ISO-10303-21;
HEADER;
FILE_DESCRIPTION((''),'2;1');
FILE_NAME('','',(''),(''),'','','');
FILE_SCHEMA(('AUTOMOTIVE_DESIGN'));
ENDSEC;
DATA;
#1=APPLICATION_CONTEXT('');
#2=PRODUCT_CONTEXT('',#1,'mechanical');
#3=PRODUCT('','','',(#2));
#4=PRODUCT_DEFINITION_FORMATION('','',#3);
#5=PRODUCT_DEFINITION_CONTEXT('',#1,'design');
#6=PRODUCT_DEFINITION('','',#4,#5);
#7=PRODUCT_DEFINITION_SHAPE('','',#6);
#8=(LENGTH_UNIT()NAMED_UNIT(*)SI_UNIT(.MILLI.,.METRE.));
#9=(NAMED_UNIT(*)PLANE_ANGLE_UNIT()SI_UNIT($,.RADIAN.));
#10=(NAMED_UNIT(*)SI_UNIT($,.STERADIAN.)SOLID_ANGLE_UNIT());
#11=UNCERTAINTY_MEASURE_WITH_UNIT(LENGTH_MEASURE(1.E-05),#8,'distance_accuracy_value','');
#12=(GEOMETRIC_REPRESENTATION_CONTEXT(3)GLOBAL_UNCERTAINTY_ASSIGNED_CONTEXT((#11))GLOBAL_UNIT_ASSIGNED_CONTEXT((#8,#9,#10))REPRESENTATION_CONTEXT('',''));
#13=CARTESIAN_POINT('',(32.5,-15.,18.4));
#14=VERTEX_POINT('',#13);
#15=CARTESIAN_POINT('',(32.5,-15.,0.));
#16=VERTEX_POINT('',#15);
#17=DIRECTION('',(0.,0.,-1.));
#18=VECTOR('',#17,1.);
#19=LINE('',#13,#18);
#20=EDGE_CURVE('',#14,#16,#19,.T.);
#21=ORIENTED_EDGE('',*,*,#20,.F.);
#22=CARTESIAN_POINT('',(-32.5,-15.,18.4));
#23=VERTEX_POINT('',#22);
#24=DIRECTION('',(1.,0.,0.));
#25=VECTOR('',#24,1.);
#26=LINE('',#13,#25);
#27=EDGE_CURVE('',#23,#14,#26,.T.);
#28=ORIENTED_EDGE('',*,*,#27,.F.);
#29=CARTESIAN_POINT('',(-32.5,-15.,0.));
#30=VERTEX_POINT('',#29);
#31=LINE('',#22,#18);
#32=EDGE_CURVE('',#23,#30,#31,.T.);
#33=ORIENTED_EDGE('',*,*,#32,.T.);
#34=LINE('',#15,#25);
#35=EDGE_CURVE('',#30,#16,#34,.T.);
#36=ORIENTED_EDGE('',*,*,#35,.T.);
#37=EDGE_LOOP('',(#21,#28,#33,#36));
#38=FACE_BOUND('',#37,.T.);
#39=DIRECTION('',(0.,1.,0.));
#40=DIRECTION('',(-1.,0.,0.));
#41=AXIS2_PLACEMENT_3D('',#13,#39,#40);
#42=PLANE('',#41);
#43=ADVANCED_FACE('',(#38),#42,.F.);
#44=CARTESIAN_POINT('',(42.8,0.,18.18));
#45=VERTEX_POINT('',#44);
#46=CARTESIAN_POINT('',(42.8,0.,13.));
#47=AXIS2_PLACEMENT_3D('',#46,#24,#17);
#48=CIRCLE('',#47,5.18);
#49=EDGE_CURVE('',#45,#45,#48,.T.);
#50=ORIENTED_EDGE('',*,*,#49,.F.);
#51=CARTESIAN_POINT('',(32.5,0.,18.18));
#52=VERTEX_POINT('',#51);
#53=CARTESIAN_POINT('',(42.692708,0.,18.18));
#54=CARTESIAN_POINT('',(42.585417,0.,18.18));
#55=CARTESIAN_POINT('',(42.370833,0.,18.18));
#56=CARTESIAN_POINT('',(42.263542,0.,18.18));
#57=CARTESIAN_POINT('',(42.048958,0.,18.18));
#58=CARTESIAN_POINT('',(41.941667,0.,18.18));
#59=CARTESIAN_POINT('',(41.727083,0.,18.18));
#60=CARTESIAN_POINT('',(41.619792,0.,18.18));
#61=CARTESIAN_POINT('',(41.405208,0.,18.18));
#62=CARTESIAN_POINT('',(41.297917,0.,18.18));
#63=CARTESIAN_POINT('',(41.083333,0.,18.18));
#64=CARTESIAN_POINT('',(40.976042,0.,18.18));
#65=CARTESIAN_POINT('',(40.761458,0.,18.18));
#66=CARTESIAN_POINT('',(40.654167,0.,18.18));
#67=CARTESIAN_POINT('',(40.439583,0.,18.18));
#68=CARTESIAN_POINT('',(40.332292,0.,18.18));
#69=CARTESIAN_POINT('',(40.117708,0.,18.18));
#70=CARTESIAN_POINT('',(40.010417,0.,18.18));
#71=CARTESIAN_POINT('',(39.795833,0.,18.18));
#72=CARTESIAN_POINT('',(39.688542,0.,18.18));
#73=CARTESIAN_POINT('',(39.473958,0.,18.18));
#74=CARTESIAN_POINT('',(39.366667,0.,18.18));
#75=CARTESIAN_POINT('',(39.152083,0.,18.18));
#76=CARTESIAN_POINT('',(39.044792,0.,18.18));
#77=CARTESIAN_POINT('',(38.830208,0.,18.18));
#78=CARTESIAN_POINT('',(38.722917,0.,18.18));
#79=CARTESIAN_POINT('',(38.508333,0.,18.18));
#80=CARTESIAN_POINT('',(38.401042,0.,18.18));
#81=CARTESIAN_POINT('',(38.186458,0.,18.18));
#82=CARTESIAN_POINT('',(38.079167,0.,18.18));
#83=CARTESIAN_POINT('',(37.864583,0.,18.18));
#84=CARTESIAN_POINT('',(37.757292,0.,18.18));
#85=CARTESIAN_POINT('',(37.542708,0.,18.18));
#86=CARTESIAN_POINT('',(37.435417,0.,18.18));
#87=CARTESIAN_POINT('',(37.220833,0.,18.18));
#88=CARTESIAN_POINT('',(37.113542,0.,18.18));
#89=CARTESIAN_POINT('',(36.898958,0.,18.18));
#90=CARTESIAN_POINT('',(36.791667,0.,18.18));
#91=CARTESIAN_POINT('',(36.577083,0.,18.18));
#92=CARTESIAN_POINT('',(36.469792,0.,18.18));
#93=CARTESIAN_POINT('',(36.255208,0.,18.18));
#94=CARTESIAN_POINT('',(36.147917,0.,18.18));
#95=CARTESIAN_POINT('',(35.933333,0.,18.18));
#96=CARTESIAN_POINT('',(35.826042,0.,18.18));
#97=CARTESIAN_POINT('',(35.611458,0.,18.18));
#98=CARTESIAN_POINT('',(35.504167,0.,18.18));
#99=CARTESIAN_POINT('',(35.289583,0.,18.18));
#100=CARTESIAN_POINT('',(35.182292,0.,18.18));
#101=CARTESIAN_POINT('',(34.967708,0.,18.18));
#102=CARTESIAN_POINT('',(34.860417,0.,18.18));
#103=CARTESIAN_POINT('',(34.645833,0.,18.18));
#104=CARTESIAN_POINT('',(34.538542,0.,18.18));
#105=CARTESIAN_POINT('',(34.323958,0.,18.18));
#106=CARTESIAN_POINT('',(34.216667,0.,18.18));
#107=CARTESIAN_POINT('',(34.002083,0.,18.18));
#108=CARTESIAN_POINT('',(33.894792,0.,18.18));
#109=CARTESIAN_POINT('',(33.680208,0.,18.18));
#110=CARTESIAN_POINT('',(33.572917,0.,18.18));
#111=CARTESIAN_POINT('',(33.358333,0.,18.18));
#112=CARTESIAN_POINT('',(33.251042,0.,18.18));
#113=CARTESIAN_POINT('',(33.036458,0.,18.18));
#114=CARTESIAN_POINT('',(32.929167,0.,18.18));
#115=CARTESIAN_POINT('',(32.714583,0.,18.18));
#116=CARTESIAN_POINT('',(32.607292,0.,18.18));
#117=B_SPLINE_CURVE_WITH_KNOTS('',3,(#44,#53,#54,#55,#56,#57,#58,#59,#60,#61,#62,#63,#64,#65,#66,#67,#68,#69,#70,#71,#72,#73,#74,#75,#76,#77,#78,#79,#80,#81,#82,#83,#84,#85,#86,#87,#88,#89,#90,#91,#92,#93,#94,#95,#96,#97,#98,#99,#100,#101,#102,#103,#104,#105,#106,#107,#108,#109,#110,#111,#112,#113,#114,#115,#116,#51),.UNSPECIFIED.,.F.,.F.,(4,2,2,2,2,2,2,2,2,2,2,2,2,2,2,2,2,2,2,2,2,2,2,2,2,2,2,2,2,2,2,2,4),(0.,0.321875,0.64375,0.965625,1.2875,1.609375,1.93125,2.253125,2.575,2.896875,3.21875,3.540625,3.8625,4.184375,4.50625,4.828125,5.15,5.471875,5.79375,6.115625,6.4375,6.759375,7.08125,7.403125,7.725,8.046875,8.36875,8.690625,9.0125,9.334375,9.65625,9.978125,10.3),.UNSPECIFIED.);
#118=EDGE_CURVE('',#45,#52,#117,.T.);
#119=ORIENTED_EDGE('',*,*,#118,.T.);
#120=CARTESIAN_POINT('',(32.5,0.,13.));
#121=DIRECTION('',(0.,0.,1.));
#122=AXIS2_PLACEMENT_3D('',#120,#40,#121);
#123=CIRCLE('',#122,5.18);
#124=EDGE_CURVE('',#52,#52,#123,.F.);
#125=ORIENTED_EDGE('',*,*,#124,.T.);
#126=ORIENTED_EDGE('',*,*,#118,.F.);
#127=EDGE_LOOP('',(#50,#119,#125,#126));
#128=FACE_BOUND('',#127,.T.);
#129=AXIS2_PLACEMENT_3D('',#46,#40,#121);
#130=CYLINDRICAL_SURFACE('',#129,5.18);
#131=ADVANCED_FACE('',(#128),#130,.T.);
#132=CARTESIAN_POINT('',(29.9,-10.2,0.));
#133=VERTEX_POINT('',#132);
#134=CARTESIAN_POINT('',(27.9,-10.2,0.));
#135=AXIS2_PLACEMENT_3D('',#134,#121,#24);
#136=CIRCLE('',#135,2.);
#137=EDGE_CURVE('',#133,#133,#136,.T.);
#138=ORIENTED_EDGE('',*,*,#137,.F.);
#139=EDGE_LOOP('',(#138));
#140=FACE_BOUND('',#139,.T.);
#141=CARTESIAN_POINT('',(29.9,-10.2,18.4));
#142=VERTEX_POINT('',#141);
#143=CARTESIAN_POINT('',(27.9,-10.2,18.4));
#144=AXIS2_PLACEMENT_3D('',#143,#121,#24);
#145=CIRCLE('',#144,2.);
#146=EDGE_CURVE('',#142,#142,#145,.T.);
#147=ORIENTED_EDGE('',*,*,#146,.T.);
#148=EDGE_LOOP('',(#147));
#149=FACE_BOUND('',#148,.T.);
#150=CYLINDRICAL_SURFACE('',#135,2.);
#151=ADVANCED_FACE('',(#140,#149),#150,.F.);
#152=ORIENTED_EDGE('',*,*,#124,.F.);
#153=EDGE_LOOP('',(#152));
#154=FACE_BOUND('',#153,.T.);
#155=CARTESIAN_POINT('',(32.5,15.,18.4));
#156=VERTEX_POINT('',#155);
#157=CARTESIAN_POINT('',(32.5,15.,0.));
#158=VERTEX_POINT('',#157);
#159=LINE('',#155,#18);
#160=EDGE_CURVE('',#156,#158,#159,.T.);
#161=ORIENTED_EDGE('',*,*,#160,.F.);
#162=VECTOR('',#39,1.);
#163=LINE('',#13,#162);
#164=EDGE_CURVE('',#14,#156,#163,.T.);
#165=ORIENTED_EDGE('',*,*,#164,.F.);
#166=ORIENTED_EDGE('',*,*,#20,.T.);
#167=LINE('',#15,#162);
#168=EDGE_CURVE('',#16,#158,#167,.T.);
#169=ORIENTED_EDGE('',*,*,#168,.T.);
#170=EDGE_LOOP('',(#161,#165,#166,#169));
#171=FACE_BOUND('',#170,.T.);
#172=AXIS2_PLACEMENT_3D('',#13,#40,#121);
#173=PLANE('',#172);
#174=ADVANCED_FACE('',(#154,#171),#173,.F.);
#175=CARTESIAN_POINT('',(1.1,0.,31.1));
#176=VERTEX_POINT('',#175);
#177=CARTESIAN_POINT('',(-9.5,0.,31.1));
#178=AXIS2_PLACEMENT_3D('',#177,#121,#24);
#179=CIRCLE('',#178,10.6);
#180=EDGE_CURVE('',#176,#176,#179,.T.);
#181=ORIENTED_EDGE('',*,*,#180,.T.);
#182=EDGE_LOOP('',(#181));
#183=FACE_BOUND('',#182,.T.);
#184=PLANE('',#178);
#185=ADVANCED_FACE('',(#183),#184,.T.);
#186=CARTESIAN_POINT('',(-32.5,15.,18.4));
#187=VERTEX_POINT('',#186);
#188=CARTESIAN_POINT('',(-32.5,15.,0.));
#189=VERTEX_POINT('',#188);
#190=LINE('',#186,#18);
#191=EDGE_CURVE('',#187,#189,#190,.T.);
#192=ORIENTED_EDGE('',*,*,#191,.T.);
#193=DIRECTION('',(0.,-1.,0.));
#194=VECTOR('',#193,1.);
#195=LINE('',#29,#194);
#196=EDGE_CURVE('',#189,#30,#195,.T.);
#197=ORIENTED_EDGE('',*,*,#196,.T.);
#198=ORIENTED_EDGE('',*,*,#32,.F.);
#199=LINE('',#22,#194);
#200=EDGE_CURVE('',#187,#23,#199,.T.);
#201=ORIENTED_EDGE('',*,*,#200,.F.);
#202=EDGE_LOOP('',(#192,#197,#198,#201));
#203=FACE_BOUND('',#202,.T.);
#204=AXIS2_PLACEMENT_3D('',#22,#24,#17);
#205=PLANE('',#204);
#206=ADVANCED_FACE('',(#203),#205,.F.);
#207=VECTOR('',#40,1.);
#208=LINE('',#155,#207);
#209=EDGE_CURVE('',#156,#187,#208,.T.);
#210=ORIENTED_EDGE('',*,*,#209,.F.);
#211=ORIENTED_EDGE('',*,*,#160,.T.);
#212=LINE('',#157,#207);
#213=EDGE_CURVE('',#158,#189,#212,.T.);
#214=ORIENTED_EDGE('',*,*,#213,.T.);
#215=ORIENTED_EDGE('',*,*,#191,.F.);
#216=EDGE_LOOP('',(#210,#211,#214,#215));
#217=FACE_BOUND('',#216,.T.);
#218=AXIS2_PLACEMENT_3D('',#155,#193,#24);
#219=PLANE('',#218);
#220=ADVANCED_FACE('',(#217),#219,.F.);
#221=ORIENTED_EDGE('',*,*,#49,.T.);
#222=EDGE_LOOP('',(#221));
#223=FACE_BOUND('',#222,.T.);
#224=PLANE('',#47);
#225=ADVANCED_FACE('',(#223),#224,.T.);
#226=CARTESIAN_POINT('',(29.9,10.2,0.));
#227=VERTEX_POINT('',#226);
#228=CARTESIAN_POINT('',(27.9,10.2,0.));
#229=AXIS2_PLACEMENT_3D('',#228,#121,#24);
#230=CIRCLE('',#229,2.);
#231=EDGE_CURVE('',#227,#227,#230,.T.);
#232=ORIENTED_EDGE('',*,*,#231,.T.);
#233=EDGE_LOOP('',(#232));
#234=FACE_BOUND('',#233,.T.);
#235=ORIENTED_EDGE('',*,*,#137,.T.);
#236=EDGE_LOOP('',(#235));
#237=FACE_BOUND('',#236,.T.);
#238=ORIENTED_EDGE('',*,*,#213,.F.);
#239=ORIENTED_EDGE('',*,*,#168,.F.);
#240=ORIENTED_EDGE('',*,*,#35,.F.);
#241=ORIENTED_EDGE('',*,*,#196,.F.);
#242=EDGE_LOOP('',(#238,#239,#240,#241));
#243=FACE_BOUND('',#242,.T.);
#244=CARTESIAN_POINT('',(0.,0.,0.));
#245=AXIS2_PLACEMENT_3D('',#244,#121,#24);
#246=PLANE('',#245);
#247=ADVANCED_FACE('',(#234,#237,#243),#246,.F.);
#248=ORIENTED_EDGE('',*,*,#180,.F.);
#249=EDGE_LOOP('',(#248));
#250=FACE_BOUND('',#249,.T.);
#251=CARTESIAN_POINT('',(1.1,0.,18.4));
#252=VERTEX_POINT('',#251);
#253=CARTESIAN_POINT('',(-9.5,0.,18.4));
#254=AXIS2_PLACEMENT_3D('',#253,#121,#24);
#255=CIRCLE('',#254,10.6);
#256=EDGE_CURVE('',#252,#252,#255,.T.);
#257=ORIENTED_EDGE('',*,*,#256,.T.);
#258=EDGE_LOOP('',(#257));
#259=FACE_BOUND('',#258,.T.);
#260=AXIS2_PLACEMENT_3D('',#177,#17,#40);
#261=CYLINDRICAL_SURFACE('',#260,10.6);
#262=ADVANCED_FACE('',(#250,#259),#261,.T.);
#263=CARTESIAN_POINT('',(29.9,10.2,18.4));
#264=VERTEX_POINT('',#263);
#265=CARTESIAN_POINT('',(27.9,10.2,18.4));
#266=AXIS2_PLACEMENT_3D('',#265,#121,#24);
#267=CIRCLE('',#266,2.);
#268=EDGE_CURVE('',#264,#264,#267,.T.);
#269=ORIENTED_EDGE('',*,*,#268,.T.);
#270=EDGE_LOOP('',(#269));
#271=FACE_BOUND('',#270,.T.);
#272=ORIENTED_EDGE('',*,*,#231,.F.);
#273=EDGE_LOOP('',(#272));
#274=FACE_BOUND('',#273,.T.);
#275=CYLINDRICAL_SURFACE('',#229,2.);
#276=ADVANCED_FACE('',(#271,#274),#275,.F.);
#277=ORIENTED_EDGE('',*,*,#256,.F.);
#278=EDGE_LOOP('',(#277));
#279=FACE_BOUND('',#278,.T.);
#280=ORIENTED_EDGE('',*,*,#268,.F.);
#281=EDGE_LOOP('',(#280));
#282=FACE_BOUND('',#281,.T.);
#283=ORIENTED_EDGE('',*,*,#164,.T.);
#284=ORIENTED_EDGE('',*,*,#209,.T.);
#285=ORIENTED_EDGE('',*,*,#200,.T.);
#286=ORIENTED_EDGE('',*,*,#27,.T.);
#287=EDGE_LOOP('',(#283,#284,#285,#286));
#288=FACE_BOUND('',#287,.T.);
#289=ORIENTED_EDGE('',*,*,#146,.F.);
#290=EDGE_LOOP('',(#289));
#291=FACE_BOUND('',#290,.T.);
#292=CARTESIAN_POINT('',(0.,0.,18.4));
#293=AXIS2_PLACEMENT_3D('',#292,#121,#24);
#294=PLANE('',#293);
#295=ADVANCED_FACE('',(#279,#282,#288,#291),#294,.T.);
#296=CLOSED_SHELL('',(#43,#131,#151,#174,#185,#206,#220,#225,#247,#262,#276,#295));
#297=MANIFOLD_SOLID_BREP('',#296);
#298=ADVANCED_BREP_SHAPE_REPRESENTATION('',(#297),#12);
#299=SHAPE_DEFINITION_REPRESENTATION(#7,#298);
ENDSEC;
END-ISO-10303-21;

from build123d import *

# Parameters (mm, degrees)
ESQUISSE1_W             = 65
ESQUISSE1_H             = 30
BOSS_EXTRU_1_DEPTH      = 18.4
ESQUISSE2_R             = 10.6
BOSS_EXTRU_2_DEPTH      = 12.7
ESQUISSE4_R             = 2
ENL_V_MAT_EXTRU_2_DEPTH = 41.246863232
ESQUISSE5_R             = 2
ENL_V_MAT_EXTRU_3_DEPTH = 41.246863232
ESQUISSE6_R             = 5.18
BOSS_EXTRU_3_DEPTH      = 10.3


with BuildPart() as part:
    # Esquisse1 → Boss.-Extru.1 (new body)
    with BuildSketch(Plane.XY):
        Rectangle(ESQUISSE1_W, ESQUISSE1_H)
    extrude(amount=BOSS_EXTRU_1_DEPTH)

    # Esquisse2 → Boss.-Extru.2 (add)
    with BuildSketch(Plane.XY.offset(18.4)):
        with Locations((-9.5, 0)):
            Circle(ESQUISSE2_R)
    extrude(amount=BOSS_EXTRU_2_DEPTH)

    # Esquisse4 → Enlèv. mat.-Extru.2 (cut, through all)
    with BuildSketch(Plane.XY.offset(18.4)):
        with Locations((27.9, -10.2)):
            Circle(ESQUISSE4_R)
    extrude(amount=-ENL_V_MAT_EXTRU_2_DEPTH, mode=Mode.SUBTRACT)

    # Esquisse5 → Enlèv. mat.-Extru.3 (cut, through all)
    with BuildSketch(Plane.XY.offset(18.4)):
        with Locations((27.9, 10.2)):
            Circle(ESQUISSE5_R)
    extrude(amount=-ENL_V_MAT_EXTRU_3_DEPTH, mode=Mode.SUBTRACT)

    # Esquisse6 → Boss.-Extru.3 (add)
    with BuildSketch(Plane(origin=(32.5, 0, 0), x_dir=(0, 0, -1), z_dir=(1, 0, 0))):
        with Locations(Location((-13, 0, 0), (0, 0, 180))):
            Circle(ESQUISSE6_R)
    extrude(amount=BOSS_EXTRU_3_DEPTH)


solid = part.part
